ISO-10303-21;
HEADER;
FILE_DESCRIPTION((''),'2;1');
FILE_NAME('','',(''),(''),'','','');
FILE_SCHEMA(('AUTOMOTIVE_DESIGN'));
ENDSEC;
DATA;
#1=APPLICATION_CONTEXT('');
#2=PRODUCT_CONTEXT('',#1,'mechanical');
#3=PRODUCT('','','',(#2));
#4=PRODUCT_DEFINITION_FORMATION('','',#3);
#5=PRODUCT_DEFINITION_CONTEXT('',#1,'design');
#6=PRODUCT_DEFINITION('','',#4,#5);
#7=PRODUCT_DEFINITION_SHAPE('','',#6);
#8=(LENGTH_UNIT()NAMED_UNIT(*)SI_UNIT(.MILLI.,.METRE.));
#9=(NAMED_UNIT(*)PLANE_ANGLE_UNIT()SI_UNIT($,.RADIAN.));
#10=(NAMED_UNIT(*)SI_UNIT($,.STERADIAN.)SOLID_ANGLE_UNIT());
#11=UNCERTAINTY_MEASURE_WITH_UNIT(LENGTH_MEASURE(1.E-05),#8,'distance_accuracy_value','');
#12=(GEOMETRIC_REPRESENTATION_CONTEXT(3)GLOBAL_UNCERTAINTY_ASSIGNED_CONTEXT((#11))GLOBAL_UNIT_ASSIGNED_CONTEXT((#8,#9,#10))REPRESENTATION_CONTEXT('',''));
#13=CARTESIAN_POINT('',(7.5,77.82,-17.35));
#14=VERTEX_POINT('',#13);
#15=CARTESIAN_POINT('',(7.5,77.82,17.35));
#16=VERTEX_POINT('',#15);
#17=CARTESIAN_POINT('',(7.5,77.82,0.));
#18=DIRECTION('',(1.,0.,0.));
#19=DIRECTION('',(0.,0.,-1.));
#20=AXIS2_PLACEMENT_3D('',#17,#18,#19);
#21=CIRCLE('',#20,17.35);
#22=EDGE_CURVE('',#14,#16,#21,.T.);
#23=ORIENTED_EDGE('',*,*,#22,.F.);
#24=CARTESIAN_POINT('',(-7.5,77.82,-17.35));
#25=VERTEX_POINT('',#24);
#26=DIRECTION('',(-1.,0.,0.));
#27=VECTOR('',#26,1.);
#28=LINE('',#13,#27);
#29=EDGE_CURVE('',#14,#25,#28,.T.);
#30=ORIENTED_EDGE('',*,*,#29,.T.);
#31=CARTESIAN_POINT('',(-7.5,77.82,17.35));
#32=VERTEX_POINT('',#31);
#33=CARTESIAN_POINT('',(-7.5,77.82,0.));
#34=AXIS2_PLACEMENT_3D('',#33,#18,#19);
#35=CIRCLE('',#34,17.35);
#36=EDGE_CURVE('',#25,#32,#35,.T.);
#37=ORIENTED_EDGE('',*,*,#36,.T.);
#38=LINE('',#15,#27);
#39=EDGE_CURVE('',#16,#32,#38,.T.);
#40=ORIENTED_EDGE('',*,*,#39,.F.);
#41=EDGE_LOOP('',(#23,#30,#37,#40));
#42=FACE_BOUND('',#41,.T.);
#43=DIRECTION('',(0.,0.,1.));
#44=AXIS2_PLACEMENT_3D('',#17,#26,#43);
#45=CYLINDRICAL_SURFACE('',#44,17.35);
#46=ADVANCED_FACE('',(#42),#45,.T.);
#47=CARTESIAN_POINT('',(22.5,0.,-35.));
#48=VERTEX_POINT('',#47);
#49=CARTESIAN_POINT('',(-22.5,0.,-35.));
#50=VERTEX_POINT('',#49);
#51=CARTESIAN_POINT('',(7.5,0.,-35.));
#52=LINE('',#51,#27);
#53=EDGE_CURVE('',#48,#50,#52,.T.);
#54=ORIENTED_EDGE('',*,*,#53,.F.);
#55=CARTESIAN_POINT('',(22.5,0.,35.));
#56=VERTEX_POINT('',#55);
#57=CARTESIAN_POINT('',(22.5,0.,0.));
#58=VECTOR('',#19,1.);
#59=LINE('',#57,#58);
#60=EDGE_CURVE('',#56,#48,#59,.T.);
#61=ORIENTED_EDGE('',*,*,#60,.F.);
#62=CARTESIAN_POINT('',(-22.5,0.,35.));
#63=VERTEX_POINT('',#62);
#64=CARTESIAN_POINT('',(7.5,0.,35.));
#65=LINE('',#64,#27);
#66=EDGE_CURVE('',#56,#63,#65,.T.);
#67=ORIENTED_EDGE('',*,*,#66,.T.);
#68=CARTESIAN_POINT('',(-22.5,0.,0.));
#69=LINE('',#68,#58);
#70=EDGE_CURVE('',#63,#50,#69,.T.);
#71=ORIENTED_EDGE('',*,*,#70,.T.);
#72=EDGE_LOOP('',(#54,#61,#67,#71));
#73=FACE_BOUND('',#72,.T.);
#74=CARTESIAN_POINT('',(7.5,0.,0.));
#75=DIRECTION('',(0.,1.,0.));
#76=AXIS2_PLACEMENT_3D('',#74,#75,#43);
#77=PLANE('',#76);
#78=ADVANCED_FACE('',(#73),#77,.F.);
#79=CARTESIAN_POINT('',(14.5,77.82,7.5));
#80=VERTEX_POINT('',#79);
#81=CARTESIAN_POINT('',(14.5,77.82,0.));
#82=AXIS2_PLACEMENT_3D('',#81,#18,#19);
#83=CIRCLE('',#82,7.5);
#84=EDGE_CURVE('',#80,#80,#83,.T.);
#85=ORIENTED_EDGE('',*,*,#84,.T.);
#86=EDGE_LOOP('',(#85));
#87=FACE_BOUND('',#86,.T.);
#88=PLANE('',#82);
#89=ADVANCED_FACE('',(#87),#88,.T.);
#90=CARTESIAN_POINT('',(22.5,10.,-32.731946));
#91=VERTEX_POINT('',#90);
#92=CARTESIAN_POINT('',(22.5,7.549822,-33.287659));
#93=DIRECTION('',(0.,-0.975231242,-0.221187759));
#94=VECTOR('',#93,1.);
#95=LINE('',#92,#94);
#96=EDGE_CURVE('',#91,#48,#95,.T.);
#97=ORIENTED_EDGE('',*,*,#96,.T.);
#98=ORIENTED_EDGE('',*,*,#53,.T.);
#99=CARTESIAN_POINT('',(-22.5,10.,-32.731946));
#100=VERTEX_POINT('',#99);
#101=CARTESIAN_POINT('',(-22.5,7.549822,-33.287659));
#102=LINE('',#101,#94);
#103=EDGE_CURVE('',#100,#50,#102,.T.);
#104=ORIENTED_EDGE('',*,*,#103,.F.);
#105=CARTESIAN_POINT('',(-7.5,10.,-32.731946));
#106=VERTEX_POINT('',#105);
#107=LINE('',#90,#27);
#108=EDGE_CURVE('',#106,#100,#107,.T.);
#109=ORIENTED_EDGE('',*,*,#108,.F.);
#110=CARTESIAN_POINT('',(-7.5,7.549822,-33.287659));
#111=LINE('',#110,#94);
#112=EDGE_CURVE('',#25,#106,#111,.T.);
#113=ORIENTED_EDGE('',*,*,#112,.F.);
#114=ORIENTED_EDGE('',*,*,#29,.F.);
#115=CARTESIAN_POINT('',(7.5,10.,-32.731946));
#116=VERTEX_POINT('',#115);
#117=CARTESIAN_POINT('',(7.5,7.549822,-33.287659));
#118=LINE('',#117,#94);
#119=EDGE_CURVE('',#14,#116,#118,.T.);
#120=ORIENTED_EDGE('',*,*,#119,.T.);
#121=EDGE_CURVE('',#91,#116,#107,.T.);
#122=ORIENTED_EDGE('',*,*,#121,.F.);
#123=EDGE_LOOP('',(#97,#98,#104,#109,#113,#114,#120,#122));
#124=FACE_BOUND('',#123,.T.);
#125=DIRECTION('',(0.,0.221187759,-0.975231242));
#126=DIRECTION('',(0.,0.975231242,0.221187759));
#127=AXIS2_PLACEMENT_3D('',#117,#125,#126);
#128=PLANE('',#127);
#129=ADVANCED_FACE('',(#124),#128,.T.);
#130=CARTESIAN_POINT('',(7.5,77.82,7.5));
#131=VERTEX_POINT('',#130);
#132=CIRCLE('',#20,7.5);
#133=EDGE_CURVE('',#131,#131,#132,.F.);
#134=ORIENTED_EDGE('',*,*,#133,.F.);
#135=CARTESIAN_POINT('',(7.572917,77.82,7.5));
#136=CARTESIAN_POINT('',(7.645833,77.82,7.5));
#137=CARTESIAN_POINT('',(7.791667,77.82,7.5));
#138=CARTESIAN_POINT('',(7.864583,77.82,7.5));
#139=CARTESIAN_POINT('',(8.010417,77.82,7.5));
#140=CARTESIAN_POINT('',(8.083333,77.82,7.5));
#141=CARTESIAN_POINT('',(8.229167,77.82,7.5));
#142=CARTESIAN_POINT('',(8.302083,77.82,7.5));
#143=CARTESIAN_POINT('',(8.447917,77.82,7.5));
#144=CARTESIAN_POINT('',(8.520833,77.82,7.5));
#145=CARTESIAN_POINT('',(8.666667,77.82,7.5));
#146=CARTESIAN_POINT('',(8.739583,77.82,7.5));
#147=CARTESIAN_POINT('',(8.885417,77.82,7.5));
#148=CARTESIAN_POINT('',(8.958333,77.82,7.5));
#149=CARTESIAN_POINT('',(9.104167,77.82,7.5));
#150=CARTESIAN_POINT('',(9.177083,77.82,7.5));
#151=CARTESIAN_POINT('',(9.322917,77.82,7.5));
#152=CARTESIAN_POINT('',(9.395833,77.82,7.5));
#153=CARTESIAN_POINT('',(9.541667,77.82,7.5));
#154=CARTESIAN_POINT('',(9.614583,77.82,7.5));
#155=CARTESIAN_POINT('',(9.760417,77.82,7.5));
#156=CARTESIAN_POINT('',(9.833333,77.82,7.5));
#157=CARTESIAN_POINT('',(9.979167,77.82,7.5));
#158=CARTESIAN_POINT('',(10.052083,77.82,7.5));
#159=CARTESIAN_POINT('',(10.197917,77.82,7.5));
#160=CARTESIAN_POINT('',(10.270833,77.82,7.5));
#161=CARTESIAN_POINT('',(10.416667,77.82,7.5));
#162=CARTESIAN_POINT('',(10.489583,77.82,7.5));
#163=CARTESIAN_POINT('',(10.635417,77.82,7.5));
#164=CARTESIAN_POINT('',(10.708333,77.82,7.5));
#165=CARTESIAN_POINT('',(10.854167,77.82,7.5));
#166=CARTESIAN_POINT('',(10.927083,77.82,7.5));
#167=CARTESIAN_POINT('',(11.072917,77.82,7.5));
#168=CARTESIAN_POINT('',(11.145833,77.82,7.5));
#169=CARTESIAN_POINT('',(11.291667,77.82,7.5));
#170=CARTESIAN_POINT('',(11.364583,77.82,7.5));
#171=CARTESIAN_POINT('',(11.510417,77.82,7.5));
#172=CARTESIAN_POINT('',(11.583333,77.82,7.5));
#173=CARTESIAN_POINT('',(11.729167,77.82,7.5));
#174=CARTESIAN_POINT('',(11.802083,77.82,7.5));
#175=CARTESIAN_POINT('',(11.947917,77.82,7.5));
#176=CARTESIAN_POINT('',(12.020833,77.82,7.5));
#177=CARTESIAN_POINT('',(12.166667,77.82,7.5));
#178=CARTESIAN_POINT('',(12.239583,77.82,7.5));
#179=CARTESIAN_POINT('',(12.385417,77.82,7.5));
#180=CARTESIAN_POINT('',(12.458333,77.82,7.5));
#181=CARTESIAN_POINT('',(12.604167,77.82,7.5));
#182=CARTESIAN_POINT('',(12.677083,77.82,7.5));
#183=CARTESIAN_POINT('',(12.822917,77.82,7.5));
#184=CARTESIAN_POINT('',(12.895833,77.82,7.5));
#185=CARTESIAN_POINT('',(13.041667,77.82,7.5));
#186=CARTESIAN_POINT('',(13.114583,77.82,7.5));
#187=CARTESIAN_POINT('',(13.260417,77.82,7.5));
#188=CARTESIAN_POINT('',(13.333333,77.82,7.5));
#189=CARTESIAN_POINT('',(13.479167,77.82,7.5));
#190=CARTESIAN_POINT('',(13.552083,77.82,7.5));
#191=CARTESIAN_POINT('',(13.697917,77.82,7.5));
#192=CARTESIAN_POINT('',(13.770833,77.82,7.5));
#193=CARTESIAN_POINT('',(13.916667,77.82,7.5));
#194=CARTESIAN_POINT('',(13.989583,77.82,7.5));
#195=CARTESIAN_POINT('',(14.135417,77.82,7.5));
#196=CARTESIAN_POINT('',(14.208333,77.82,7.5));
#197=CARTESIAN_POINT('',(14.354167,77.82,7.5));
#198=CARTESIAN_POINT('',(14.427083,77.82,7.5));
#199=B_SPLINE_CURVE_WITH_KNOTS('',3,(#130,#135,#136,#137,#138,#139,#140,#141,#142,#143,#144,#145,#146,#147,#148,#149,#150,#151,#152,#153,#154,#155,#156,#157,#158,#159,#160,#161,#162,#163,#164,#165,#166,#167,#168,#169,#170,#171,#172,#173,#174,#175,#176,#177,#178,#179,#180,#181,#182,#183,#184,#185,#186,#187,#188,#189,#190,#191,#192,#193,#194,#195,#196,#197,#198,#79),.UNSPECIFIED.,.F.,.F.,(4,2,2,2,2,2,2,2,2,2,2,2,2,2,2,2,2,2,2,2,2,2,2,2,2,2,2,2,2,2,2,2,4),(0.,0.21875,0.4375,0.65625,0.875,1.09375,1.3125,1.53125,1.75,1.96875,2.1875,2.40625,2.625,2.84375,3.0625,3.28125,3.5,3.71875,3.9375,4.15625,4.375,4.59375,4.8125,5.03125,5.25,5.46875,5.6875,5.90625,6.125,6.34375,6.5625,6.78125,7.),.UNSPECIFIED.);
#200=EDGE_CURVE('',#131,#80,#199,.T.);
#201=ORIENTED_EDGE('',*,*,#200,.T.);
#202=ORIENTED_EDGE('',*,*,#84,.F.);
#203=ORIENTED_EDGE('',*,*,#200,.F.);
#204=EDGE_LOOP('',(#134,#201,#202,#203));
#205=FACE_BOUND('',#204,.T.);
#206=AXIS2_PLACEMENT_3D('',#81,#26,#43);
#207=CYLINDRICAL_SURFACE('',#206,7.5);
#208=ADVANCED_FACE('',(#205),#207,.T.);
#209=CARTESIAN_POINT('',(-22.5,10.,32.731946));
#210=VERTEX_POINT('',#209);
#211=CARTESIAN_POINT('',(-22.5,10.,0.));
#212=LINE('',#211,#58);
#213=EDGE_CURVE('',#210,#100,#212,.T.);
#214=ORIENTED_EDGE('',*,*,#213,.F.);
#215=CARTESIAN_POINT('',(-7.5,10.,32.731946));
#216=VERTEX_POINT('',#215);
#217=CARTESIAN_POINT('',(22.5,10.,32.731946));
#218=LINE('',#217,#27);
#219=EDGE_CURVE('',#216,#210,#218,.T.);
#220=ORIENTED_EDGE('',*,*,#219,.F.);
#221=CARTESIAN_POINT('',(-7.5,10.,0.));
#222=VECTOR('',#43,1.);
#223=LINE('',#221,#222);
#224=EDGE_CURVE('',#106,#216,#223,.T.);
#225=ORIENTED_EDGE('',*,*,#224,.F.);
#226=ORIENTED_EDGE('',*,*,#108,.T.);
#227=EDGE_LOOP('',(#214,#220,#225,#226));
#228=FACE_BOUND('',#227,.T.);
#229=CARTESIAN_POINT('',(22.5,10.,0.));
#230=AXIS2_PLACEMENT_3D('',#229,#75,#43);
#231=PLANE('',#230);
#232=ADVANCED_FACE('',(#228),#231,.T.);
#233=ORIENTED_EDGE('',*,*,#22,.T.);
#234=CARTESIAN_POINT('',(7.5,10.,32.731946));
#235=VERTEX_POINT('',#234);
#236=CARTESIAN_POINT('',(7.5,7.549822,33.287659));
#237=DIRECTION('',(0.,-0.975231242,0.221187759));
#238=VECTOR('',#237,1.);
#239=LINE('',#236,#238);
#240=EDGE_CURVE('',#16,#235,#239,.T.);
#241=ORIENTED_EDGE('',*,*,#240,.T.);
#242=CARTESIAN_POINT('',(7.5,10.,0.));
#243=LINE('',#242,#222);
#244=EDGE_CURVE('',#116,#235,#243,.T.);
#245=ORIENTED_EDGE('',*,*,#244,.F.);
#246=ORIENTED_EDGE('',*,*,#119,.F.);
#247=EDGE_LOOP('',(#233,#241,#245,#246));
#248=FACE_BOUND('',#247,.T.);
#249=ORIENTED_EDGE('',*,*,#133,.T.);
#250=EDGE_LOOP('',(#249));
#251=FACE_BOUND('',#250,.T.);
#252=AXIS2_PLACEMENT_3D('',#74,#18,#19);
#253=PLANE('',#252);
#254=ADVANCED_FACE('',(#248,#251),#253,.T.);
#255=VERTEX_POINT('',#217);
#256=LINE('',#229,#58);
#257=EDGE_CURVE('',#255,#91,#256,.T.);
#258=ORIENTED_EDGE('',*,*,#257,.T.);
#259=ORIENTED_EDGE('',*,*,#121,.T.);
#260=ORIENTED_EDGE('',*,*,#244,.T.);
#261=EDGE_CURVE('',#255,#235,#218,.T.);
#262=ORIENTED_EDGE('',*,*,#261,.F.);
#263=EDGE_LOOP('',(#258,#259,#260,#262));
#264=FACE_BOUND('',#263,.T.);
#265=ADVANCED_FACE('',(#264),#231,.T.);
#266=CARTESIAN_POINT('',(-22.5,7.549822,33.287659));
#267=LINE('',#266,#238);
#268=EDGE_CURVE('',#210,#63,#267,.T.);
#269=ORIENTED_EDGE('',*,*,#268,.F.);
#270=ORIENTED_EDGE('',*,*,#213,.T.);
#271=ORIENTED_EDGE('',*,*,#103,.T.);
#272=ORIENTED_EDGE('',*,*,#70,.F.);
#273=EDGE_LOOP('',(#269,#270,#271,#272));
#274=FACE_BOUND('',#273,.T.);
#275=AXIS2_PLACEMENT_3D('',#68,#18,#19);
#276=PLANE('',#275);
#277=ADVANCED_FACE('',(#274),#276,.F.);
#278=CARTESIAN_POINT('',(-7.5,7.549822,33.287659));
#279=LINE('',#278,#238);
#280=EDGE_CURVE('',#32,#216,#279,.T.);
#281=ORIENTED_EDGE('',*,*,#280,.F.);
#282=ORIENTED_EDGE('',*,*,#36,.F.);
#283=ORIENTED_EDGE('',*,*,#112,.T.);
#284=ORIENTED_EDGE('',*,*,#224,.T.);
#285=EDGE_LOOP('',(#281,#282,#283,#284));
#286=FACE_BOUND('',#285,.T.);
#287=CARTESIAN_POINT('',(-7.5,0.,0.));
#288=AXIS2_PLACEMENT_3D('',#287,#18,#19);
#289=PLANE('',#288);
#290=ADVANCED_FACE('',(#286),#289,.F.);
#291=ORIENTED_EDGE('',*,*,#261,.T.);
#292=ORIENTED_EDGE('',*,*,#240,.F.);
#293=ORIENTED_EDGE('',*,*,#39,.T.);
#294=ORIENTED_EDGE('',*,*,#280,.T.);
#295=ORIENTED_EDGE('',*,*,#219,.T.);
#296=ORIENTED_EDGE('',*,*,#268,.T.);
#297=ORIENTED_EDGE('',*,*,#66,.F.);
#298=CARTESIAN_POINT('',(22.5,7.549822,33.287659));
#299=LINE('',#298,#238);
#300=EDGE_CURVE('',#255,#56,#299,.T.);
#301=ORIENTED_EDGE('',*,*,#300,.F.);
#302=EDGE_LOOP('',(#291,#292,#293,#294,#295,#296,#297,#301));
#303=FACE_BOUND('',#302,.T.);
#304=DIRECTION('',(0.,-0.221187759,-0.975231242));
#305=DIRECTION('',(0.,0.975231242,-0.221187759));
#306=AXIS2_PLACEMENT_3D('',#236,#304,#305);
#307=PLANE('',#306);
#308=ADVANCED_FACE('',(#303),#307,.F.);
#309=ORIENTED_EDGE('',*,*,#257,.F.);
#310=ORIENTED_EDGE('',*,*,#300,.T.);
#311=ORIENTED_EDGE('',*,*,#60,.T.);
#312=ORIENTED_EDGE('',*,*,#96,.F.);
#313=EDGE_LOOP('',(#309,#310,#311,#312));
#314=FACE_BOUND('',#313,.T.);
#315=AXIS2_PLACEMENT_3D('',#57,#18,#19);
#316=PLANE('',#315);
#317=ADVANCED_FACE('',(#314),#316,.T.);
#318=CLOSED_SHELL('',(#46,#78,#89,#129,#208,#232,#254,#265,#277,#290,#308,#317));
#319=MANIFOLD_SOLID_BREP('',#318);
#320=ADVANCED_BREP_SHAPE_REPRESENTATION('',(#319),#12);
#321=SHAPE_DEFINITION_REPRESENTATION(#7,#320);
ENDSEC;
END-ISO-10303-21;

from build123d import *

# Parameters (mm, degrees)
BOSS_EXTRUDE1_DEPTH = 7.5
BOSS_EXTRUDE2_DEPTH = 22.5
SKETCH1_4_R         = 7.5
BOSS_EXTRUDE3_DEPTH = 14.5


with BuildPart() as part:
    # Sketch1 → Boss-Extrude1 (new, symmetric)
    with BuildSketch(Plane(origin=(0, 0, 0), x_dir=(0, 0, -1), z_dir=(1, 0, 0))):
        with BuildLine():
            Line((-17.35, 77.82), (-35, 0))
            Line((-35, 0), (35, 0))
            Line((35, 0), (17.35, 77.82))
            ThreePointArc((17.35, 77.82), (0, 95.17), (-17.35, 77.82))
        make_face()
    extrude(amount=BOSS_EXTRUDE1_DEPTH, both=True)

    # Sketch1<3> → Boss-Extrude2 (add, symmetric)
    with BuildSketch(Plane(origin=(0, 0, 0), x_dir=(0, 0, -1), z_dir=(1, 0, 0))):
        Polygon((-32.731945515, 10), (-35, 0), (35, 0), (32.731945515, 10), align=None)
    extrude(amount=BOSS_EXTRUDE2_DEPTH, both=True)

    # Sketch1<4> → Boss-Extrude3 (add)
    with BuildSketch(Plane(origin=(0, 0, 0), x_dir=(0, 0, -1), z_dir=(1, 0, 0))):
        with Locations((0, 77.82)):
            Circle(SKETCH1_4_R)
    extrude(amount=BOSS_EXTRUDE3_DEPTH)


solid = part.part
